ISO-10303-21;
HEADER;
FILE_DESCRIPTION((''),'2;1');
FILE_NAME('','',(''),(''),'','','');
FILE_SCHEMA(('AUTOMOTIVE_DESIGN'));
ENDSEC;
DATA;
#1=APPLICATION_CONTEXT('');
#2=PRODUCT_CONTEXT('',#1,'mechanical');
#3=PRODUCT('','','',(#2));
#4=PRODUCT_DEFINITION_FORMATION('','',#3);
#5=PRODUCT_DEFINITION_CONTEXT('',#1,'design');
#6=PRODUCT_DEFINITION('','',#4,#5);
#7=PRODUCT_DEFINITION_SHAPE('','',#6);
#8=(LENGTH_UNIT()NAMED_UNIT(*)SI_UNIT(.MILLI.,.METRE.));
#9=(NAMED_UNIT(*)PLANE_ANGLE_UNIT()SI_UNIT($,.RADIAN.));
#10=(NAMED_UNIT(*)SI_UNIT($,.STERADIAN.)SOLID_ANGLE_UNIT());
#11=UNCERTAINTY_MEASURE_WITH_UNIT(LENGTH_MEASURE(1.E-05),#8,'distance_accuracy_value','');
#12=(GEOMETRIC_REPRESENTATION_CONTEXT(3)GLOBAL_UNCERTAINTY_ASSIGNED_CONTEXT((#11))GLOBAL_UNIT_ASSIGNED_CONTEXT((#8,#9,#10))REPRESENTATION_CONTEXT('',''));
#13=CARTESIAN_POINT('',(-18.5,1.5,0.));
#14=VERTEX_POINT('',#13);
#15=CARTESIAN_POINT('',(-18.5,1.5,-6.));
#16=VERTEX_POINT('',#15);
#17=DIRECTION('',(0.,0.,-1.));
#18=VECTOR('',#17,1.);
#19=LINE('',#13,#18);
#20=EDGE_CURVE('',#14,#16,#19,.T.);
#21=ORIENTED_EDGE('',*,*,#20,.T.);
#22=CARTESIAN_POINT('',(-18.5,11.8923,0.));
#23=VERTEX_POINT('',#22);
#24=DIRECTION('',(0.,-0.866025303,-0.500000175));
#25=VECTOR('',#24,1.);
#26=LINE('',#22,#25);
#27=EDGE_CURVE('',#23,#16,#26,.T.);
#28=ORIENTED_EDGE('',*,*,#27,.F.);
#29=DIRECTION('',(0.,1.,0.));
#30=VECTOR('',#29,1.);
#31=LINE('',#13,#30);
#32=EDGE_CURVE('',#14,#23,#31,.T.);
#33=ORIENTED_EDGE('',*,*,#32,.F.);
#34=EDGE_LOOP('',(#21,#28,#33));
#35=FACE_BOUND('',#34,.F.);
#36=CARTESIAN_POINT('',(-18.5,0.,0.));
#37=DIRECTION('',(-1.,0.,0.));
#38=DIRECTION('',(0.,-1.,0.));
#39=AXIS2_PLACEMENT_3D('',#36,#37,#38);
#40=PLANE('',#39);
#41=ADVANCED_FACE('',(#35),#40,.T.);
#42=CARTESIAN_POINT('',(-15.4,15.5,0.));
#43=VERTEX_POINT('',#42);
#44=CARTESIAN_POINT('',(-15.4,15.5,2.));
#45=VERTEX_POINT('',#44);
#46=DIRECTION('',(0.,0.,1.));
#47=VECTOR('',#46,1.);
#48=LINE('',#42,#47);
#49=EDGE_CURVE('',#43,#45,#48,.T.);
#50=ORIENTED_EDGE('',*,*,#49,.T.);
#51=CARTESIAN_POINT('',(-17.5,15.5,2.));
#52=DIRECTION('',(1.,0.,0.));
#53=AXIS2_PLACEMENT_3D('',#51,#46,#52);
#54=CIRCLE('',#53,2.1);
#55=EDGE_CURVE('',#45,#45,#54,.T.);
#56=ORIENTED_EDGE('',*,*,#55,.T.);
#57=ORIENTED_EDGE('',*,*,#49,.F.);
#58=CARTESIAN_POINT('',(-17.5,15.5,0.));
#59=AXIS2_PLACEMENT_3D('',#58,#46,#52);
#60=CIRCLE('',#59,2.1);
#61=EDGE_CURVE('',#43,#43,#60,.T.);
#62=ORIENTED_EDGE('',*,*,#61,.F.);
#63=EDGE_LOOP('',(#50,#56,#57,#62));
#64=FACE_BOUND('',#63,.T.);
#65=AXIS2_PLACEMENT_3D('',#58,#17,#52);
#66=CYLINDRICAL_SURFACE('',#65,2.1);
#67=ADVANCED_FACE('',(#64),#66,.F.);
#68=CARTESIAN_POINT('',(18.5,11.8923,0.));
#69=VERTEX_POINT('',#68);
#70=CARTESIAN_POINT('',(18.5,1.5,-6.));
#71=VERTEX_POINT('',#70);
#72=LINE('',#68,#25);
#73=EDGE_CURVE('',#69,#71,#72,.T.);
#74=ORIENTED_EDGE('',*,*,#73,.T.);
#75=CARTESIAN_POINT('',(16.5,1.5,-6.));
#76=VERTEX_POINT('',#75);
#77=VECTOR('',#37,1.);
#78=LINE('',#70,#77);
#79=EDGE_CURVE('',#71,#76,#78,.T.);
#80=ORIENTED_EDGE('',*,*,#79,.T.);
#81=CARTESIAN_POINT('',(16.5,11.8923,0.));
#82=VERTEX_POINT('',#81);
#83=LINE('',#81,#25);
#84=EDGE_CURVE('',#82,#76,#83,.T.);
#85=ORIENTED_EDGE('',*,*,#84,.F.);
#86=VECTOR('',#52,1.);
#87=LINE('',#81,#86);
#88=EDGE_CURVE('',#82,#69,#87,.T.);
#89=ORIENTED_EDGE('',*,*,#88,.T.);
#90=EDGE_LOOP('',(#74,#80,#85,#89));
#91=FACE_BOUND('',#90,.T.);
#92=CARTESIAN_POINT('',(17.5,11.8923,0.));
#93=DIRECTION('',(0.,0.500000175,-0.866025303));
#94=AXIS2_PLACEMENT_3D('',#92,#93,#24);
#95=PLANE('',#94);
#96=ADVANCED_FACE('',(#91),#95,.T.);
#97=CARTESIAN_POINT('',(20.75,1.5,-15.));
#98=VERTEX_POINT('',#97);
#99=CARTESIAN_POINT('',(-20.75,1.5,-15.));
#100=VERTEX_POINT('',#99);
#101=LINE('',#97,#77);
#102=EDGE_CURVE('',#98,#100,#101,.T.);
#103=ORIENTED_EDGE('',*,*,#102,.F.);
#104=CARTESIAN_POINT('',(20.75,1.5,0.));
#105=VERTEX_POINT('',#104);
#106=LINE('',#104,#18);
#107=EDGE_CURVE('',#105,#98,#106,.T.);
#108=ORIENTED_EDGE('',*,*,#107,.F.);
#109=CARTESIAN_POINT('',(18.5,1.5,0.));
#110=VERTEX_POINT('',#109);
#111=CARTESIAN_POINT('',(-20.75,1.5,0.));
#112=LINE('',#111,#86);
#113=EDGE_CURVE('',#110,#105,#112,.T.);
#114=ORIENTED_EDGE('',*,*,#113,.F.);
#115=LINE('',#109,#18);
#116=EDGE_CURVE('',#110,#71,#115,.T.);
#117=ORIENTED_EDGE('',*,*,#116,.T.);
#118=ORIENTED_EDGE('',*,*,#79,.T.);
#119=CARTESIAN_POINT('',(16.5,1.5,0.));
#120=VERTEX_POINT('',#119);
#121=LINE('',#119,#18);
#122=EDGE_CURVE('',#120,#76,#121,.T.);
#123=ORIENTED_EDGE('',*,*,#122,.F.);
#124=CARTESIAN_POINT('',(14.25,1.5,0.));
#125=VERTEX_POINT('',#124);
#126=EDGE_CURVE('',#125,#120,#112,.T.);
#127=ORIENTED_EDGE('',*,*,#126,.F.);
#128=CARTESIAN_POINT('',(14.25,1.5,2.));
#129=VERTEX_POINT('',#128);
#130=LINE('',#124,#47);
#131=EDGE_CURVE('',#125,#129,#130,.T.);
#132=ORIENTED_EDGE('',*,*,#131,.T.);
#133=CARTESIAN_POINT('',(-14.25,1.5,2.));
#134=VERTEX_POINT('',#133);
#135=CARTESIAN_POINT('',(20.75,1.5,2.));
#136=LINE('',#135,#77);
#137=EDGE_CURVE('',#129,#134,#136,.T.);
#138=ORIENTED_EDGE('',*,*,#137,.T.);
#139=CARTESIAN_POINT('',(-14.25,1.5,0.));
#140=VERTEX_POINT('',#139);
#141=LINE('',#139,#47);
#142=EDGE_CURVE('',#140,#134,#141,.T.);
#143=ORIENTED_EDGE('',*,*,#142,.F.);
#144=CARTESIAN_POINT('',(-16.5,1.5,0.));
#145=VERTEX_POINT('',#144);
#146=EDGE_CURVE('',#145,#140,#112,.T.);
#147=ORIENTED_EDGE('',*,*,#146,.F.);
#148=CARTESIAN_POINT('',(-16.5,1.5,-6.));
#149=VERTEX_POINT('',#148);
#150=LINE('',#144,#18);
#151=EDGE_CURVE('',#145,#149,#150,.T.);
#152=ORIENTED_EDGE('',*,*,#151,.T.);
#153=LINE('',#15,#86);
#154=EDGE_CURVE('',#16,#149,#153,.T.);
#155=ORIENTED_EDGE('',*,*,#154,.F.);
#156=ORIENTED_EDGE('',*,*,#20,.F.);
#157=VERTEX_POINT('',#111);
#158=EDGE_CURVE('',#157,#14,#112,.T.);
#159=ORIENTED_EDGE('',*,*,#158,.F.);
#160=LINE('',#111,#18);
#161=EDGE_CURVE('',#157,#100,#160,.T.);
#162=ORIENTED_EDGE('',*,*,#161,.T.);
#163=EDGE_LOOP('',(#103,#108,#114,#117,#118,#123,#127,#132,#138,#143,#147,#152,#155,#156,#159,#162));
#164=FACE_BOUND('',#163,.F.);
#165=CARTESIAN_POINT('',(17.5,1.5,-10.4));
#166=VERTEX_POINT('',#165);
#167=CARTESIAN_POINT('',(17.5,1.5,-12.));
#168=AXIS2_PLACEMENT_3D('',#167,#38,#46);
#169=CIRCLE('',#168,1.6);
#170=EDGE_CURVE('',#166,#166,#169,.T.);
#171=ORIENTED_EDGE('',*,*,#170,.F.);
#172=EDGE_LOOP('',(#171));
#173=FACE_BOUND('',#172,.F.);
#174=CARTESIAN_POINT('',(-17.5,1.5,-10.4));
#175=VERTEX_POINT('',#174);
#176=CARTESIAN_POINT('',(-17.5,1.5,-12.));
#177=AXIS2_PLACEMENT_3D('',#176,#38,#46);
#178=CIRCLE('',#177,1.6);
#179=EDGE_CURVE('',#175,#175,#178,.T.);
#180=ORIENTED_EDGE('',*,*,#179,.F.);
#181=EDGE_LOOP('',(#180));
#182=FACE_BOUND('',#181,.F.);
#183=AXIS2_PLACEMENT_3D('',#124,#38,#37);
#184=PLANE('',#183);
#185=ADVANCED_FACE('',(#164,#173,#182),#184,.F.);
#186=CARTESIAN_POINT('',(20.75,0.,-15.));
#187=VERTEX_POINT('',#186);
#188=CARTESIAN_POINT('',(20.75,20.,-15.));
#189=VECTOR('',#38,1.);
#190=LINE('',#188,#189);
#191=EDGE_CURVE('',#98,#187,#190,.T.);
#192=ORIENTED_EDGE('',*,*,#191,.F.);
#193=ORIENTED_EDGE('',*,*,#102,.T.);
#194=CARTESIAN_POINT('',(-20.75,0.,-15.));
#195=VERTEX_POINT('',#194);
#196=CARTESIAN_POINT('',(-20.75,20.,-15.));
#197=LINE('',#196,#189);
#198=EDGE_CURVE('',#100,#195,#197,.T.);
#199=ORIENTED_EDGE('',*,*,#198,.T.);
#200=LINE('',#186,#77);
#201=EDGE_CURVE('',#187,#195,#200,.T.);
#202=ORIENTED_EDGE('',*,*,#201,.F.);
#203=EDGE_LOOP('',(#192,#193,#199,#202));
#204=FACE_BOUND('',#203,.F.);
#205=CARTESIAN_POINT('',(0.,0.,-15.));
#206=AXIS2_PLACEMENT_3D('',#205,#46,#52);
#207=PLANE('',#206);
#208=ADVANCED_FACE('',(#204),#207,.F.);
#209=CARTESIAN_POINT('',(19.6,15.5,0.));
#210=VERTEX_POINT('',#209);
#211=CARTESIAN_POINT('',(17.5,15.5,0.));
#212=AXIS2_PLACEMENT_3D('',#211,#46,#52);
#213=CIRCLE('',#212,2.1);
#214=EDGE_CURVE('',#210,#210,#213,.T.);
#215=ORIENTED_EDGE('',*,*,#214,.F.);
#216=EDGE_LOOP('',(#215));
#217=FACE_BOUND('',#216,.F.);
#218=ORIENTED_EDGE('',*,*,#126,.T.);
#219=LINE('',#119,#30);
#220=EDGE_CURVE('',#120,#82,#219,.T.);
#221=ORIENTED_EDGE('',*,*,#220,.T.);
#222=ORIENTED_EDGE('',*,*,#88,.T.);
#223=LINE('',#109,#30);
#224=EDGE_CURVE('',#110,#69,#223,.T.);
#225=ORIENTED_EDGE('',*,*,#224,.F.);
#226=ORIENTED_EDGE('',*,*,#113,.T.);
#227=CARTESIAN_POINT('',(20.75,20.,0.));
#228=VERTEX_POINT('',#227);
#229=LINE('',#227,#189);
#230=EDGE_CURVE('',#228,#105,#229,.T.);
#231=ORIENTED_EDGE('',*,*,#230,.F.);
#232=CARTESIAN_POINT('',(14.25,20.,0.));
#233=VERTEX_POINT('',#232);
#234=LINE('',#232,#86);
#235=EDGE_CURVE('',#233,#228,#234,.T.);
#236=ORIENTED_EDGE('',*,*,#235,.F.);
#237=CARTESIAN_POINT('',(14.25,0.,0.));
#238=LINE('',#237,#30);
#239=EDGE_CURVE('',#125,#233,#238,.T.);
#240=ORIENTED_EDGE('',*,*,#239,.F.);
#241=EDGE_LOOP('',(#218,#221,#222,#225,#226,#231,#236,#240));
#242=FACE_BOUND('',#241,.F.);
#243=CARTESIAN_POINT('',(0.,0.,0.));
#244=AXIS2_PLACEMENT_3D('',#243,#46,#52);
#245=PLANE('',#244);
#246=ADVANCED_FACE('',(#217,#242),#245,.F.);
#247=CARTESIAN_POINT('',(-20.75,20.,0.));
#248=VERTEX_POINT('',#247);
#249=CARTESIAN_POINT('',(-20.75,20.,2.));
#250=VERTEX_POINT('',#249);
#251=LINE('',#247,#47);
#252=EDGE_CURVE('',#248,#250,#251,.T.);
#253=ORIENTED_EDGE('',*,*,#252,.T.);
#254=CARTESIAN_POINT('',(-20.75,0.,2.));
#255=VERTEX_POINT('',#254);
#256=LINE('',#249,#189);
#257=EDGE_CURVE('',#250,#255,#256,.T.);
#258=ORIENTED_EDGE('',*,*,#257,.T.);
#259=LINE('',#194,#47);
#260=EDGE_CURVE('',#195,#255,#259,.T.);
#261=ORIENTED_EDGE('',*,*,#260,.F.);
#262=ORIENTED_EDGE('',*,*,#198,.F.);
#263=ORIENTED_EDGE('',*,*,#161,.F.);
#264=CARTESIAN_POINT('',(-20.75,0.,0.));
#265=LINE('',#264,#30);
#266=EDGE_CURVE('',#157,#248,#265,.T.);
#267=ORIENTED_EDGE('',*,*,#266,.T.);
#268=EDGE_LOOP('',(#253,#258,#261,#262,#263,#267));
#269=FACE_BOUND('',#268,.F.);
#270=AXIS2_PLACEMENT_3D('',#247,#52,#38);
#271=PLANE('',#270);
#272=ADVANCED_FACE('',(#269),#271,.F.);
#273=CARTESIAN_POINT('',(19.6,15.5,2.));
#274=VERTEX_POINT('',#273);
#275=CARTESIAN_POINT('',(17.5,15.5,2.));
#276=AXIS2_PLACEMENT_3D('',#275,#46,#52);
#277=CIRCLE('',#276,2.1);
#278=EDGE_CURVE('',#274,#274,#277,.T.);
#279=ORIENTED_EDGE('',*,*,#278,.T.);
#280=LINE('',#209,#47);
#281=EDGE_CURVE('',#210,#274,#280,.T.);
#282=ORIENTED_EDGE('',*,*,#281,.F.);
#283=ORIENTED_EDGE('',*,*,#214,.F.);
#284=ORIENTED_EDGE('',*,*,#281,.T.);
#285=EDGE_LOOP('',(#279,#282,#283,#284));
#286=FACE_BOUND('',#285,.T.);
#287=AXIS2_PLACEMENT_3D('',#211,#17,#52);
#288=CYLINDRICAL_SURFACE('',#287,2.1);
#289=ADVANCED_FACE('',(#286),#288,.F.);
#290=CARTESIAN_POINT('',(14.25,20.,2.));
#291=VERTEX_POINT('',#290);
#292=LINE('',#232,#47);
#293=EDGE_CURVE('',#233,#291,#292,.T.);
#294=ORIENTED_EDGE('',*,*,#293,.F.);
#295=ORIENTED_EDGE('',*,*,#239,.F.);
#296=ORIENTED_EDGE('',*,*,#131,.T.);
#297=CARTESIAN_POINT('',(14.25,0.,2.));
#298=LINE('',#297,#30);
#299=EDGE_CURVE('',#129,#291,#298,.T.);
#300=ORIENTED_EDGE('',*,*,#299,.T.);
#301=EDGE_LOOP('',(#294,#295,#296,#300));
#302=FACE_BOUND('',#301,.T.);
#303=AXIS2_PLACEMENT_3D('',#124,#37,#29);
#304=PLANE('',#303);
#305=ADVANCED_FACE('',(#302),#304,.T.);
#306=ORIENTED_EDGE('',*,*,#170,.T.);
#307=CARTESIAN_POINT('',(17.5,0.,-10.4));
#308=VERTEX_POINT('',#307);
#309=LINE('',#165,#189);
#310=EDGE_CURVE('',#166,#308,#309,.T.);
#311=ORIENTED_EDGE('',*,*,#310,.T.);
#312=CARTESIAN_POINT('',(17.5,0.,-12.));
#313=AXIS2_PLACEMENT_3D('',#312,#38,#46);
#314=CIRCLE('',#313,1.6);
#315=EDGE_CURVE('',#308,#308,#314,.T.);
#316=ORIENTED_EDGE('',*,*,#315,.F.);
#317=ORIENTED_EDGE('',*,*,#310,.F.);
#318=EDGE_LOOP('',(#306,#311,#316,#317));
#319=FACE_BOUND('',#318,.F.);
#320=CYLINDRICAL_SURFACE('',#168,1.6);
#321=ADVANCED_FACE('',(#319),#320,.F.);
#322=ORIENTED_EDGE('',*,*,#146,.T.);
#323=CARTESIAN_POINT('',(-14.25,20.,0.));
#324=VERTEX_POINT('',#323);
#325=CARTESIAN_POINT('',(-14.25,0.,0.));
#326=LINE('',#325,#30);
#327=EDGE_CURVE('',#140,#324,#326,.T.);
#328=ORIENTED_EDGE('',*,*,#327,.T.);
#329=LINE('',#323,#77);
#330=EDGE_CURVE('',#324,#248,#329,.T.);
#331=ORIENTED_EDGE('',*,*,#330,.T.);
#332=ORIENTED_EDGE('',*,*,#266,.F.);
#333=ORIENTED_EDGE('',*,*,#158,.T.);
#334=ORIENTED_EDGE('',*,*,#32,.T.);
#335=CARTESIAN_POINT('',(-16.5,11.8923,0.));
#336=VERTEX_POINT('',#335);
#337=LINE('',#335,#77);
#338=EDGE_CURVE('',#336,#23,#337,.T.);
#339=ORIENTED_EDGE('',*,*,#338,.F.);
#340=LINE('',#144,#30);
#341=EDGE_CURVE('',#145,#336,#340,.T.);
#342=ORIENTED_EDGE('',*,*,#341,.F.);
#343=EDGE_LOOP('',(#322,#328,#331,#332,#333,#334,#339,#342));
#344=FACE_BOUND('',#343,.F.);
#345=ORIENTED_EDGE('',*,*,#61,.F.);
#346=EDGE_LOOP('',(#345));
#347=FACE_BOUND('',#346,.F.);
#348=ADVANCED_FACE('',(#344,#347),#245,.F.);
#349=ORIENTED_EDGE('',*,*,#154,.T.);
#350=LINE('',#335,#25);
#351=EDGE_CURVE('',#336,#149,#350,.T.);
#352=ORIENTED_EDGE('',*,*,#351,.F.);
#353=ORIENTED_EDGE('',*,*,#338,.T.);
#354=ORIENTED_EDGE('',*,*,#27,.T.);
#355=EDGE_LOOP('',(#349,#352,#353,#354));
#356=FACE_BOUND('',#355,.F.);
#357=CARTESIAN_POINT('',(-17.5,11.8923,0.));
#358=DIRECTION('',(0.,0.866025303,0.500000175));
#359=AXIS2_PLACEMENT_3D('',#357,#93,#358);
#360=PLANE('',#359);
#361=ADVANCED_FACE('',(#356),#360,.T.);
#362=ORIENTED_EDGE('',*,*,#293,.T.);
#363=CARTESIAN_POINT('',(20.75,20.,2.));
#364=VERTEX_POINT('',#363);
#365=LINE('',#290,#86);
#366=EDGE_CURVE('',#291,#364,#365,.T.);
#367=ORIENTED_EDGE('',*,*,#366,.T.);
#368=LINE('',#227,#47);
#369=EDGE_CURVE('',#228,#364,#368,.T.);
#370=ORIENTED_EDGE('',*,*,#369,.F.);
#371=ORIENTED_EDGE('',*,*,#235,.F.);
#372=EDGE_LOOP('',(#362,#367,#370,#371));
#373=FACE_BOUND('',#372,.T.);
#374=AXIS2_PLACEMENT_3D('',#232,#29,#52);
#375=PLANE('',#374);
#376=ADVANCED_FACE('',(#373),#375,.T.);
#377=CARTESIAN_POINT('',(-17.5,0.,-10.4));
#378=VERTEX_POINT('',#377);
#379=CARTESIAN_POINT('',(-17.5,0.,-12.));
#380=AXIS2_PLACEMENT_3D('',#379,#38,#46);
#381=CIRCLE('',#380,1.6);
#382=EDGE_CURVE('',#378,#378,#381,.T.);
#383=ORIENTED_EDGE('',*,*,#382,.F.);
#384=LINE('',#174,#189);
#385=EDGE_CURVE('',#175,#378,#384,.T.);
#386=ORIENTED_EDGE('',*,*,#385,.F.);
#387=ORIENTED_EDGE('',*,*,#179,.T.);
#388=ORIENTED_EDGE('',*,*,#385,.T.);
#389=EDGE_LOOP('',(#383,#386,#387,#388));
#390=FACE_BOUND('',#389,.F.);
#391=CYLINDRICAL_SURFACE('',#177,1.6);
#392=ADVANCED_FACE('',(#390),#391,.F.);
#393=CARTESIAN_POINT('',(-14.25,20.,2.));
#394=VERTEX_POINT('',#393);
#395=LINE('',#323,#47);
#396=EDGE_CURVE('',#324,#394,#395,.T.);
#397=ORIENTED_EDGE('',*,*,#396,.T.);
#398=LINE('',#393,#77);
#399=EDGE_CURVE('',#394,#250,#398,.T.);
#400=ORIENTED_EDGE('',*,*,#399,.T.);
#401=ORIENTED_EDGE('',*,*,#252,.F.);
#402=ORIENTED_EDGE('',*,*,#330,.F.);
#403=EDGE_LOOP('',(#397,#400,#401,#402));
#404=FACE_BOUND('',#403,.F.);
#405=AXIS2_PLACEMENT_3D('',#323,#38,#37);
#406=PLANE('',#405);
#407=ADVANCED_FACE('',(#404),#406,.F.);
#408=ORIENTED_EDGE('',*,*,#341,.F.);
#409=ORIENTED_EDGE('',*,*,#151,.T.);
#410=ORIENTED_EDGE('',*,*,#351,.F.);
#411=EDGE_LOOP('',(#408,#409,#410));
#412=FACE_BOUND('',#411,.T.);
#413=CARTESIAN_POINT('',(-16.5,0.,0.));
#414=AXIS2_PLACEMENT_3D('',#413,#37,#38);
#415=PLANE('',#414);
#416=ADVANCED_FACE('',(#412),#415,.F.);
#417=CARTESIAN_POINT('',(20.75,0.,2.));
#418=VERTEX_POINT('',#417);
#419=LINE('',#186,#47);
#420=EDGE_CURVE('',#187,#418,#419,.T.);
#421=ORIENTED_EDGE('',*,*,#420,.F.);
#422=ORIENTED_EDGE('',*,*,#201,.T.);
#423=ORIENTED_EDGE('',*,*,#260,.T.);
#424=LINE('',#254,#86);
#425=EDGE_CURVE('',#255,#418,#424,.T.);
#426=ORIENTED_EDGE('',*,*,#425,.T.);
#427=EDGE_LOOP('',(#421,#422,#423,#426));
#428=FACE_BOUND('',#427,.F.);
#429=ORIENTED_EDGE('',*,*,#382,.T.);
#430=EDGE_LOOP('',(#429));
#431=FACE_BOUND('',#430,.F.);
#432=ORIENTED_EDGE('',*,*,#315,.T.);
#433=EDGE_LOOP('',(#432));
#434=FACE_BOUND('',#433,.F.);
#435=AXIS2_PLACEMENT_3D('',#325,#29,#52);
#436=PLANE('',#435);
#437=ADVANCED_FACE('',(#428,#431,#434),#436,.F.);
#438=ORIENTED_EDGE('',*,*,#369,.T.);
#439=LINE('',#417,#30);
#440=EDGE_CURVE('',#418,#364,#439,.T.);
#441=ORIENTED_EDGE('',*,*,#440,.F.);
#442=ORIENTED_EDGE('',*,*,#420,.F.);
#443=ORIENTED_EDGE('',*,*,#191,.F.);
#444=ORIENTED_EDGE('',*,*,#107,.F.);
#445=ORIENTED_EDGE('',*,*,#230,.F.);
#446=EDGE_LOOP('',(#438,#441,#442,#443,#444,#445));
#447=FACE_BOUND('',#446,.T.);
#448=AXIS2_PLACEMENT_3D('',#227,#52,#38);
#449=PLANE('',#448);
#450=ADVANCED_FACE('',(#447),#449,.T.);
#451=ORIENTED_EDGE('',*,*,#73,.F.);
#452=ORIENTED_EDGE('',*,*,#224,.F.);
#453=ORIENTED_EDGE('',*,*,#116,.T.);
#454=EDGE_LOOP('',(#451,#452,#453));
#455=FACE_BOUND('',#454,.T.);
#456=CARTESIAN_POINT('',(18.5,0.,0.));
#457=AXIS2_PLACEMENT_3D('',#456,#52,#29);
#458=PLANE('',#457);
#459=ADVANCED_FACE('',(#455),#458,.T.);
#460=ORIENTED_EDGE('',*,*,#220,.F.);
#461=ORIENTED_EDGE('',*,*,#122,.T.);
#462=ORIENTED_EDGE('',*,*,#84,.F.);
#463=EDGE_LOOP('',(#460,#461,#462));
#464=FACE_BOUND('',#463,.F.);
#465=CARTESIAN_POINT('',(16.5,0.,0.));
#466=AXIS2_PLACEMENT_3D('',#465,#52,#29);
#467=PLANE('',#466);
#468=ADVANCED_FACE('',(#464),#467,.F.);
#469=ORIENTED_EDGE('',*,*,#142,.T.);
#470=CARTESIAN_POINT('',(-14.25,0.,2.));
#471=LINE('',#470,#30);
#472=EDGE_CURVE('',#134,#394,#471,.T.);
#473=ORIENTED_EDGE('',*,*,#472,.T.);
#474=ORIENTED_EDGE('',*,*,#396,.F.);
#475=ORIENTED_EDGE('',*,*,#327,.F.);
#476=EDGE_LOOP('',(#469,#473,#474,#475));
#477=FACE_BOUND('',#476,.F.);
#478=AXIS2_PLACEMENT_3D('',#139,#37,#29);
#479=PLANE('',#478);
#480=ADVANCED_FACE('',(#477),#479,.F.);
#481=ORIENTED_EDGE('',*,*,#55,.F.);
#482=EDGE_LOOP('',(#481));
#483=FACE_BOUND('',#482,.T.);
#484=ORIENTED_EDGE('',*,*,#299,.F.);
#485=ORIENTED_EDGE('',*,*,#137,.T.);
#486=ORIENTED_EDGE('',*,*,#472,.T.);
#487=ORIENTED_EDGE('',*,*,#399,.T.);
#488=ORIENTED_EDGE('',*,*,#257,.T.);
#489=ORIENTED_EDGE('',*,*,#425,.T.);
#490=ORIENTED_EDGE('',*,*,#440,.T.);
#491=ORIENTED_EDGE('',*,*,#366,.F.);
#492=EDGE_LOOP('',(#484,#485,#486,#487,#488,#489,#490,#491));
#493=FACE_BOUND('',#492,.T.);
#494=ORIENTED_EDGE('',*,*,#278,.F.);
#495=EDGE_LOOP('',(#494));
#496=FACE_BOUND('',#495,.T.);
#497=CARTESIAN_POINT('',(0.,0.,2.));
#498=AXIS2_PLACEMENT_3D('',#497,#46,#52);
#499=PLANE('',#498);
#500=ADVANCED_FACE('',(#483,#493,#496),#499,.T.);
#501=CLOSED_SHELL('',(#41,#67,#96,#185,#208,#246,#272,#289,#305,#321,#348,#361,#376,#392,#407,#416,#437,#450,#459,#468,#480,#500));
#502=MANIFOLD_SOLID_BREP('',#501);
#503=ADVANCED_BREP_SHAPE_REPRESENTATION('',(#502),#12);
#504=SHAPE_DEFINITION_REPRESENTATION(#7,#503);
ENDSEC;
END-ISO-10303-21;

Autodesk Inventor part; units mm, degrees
ref_plane "XZ Plane" through (0, 0, 0) normal (0, 1, 0) x (-1, 0, 0)
ref_plane "XY Plane" through (0, 0, 0) normal (0, 0, 1) x (1, 0, 0)
sketch "スケッチ1" plane through (0, 0, 0) normal (0, 0, 1) x (1, 0, 0)
  line L0 (0, 0) -> (0, 23.3181) construction
  line L1 (-22.6457, 15.5) -> (22.6457, 15.5) construction
  line L2 (-20.3832, 1.5) -> (20.3832, 1.5) construction
  circle A0 centre (0, 15.5) radius 14 construction
  line L3 (-22.6457, 7.5) -> (22.6457, 7.5) construction
  circle A1 centre (-17.5, 15.5) radius 2.1
  circle A2 centre (17.5, 15.5) radius 2.1
  line L4 (-14.25, 20) -> (-20.75, 20)
  line L5 (-20.75, 20) -> (-20.75, 0)
  line L6 (-20.75, 0) -> (-14.25, 0)
  line L7 (-14.25, 0) -> (-14.25, 20)
  line L8 (14.25, 20) -> (20.75, 20)
  line L9 (20.75, 20) -> (20.75, 0)
  line L10 (20.75, 0) -> (14.25, 0)
  line L11 (14.25, 0) -> (14.25, 20)
  line L12 (20.75, 0) -> (20.75, 1.5)
  line L13 (20.75, 1.5) -> (-20.75, 1.5)
  line L14 (-20.75, 1.5) -> (-20.75, 0)
  line L15 (-20.75, 0) -> (20.75, 0)
  point P0 (0, 1.5)
  point P1 (0, 7.5)
  point P2 (-17.5, 20)
  point P3 (17.5, 20)
  point P4 (-14.25, 0)
  point P5 (14.25, 0)
  point P6 (14.25, 1.5)
  point P7 (-14.25, 1.5)
  point P8 (-20.75, 1.5)
  dimension "d0" = 28
  dimension "d1" = 1.5
  dimension "d2" = 8
  dimension "d3" = 4.2
  dimension "d4" = 35
  dimension "d5" = 6.5
  dimension "d6" = 20
extrude "前" add sketch "スケッチ1" along normal blind 2
extrude "底" add sketch "スケッチ1" against normal blind 15 contours L13 L11 L15 L7 | L7 L6 L5 L13 | L13 L9 L10 L11
ref_plane "作業平面1" through (17.5, 0, 0) normal (1, 0, 0) x (0, 1, 0)
sketch "スケッチ2" plane through (17.5, 0, 0) normal (1, 0, 0) x (0, 1, 0)
  line L0 (11.8923, 0) -> (1.5, -6)
  line L1 (1.5, 0) -> (1.5, -15) projected
  line L2 (1.5, 0) -> (20, 0) projected
  line L3 (11.8923, 0) -> (1.5, 0)
  line L4 (1.5, 0) -> (1.5, -6)
  point P0 (0, 0)
  dimension "d12" = 60
  dimension "d13" = 6
extrude "リブ" add sketch "スケッチ2" along normal mid plane 2
mirror "ミラー1" about plane through (0, 0, 0) normal (1, 0, 0) of "リブ"
sketch "スケッチ3" plane through (-14.25, 1.5, 2) normal (0, 1, 0) x (1, 0, 0)
  line L0 (14.25, -18.7393) -> (14.25, 26.1406) construction
  line L1 (41.5884, 14) -> (-17.6431, 14) construction
  line L2 (35, 0) -> (28.5, 0) construction
  point P0 (14.25, 2)
  point P1 (31.75, 14)
  point P2 (-3.25, 14)
  dimension "d16" = 35
  dimension "d17" = 14
hole "穴1" at (17.5, 1.5, -12) at (-17.5, 1.5, -12) direction (0, -1, 0) diameter 3.2 end through all
properties part number "28BYJ-48_Braket"
